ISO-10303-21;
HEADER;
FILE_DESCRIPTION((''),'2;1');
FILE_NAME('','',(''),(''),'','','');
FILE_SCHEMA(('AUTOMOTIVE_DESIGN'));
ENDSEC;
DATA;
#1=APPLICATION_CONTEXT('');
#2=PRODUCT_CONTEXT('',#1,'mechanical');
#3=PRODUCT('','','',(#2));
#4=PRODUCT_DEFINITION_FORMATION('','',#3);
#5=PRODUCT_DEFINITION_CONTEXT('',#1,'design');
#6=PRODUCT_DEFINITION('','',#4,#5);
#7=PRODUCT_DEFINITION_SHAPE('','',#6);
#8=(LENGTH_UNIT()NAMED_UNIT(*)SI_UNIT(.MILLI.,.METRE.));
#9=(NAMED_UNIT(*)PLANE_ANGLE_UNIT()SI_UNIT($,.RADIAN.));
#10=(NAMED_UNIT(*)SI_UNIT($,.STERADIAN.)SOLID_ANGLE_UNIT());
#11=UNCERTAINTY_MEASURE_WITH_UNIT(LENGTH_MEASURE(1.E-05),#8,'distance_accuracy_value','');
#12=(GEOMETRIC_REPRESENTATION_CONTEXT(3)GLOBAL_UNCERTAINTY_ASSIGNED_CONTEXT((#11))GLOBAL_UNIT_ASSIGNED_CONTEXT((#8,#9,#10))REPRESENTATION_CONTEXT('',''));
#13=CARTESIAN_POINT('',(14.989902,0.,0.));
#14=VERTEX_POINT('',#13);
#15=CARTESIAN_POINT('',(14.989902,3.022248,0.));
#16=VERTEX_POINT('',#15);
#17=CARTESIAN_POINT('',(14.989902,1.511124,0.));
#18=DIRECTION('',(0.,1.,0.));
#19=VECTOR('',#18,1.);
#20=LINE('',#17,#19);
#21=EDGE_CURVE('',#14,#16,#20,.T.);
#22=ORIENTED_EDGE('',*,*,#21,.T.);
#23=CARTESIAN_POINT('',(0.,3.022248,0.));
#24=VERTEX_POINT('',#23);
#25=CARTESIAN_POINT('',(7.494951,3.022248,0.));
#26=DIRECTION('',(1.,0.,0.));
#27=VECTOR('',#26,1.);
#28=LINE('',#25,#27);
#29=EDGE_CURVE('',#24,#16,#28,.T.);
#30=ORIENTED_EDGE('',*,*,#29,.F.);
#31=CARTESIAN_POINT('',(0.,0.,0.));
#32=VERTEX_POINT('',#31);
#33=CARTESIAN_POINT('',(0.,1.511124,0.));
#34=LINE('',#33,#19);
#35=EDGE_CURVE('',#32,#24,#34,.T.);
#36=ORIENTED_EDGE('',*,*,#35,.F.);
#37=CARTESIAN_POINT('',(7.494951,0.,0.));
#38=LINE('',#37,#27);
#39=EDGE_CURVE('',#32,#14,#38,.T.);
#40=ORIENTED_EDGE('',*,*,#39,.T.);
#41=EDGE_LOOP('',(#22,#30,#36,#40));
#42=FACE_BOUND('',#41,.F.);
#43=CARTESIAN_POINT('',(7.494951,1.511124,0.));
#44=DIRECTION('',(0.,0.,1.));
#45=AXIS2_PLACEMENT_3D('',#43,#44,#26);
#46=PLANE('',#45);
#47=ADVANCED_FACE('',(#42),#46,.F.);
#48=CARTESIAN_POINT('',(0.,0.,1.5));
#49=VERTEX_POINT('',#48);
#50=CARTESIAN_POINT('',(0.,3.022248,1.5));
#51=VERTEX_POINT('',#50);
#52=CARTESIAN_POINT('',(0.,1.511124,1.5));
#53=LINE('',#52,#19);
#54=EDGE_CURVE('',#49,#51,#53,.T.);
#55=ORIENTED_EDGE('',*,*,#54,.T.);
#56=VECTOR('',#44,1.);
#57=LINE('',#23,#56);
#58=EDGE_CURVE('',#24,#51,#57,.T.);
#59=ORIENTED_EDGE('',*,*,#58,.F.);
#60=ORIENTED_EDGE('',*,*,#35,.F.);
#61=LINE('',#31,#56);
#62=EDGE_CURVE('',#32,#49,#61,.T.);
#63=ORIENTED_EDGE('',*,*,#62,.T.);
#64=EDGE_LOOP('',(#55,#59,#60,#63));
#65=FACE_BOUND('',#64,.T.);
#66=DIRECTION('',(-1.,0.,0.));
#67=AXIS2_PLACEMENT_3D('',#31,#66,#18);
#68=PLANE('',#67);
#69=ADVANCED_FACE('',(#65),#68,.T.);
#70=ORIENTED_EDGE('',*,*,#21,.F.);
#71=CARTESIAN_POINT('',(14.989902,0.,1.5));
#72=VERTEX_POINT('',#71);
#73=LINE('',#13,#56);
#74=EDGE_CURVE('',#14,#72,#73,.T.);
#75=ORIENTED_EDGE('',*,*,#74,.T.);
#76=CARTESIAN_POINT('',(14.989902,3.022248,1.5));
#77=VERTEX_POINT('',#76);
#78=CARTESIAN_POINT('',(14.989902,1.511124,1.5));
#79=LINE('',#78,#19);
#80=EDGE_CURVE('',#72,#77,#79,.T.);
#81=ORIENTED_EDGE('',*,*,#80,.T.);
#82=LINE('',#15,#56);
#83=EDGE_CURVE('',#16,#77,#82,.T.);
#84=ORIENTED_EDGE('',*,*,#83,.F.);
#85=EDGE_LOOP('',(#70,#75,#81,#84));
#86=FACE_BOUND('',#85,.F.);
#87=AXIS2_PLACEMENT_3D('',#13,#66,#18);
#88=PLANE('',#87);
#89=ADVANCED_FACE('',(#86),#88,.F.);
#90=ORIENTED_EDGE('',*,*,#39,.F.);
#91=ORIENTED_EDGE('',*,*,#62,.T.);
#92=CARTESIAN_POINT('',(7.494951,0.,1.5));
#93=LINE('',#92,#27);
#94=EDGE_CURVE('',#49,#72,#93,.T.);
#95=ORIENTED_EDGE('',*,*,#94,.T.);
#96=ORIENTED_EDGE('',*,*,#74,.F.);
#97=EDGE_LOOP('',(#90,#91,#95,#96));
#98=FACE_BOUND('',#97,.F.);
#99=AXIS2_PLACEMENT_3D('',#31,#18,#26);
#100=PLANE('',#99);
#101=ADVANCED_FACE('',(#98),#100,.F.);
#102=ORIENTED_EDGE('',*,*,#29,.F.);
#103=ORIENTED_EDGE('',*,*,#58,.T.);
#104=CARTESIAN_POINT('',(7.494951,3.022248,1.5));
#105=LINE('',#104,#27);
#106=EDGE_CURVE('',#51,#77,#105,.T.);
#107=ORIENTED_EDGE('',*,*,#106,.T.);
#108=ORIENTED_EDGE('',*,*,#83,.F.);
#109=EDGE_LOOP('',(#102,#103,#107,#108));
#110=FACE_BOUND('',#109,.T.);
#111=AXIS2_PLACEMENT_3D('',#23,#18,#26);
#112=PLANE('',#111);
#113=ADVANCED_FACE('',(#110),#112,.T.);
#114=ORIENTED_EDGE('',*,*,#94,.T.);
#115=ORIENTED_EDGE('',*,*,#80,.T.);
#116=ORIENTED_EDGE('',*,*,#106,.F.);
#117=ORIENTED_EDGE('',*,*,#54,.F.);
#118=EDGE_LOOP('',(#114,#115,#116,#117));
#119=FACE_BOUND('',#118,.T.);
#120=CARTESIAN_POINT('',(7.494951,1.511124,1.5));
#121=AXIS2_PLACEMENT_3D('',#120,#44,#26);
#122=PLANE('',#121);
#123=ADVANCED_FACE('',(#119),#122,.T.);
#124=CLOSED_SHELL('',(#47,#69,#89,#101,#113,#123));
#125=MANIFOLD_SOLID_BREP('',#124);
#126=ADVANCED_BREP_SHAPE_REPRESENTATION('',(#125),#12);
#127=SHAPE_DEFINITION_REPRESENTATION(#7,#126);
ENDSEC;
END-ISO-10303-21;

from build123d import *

# Parameters (mm, degrees)
SKETCH_W  = 14.989902
SKETCH_H  = 3.022248
PAD_DEPTH = 1.5


with BuildPart() as part:
    # Sketch → Pad (new body)
    with BuildSketch(Plane.XY):
        with Locations((7.494951, 1.511124)):
            Rectangle(SKETCH_W, SKETCH_H)
    extrude(amount=PAD_DEPTH)


solid = part.part
